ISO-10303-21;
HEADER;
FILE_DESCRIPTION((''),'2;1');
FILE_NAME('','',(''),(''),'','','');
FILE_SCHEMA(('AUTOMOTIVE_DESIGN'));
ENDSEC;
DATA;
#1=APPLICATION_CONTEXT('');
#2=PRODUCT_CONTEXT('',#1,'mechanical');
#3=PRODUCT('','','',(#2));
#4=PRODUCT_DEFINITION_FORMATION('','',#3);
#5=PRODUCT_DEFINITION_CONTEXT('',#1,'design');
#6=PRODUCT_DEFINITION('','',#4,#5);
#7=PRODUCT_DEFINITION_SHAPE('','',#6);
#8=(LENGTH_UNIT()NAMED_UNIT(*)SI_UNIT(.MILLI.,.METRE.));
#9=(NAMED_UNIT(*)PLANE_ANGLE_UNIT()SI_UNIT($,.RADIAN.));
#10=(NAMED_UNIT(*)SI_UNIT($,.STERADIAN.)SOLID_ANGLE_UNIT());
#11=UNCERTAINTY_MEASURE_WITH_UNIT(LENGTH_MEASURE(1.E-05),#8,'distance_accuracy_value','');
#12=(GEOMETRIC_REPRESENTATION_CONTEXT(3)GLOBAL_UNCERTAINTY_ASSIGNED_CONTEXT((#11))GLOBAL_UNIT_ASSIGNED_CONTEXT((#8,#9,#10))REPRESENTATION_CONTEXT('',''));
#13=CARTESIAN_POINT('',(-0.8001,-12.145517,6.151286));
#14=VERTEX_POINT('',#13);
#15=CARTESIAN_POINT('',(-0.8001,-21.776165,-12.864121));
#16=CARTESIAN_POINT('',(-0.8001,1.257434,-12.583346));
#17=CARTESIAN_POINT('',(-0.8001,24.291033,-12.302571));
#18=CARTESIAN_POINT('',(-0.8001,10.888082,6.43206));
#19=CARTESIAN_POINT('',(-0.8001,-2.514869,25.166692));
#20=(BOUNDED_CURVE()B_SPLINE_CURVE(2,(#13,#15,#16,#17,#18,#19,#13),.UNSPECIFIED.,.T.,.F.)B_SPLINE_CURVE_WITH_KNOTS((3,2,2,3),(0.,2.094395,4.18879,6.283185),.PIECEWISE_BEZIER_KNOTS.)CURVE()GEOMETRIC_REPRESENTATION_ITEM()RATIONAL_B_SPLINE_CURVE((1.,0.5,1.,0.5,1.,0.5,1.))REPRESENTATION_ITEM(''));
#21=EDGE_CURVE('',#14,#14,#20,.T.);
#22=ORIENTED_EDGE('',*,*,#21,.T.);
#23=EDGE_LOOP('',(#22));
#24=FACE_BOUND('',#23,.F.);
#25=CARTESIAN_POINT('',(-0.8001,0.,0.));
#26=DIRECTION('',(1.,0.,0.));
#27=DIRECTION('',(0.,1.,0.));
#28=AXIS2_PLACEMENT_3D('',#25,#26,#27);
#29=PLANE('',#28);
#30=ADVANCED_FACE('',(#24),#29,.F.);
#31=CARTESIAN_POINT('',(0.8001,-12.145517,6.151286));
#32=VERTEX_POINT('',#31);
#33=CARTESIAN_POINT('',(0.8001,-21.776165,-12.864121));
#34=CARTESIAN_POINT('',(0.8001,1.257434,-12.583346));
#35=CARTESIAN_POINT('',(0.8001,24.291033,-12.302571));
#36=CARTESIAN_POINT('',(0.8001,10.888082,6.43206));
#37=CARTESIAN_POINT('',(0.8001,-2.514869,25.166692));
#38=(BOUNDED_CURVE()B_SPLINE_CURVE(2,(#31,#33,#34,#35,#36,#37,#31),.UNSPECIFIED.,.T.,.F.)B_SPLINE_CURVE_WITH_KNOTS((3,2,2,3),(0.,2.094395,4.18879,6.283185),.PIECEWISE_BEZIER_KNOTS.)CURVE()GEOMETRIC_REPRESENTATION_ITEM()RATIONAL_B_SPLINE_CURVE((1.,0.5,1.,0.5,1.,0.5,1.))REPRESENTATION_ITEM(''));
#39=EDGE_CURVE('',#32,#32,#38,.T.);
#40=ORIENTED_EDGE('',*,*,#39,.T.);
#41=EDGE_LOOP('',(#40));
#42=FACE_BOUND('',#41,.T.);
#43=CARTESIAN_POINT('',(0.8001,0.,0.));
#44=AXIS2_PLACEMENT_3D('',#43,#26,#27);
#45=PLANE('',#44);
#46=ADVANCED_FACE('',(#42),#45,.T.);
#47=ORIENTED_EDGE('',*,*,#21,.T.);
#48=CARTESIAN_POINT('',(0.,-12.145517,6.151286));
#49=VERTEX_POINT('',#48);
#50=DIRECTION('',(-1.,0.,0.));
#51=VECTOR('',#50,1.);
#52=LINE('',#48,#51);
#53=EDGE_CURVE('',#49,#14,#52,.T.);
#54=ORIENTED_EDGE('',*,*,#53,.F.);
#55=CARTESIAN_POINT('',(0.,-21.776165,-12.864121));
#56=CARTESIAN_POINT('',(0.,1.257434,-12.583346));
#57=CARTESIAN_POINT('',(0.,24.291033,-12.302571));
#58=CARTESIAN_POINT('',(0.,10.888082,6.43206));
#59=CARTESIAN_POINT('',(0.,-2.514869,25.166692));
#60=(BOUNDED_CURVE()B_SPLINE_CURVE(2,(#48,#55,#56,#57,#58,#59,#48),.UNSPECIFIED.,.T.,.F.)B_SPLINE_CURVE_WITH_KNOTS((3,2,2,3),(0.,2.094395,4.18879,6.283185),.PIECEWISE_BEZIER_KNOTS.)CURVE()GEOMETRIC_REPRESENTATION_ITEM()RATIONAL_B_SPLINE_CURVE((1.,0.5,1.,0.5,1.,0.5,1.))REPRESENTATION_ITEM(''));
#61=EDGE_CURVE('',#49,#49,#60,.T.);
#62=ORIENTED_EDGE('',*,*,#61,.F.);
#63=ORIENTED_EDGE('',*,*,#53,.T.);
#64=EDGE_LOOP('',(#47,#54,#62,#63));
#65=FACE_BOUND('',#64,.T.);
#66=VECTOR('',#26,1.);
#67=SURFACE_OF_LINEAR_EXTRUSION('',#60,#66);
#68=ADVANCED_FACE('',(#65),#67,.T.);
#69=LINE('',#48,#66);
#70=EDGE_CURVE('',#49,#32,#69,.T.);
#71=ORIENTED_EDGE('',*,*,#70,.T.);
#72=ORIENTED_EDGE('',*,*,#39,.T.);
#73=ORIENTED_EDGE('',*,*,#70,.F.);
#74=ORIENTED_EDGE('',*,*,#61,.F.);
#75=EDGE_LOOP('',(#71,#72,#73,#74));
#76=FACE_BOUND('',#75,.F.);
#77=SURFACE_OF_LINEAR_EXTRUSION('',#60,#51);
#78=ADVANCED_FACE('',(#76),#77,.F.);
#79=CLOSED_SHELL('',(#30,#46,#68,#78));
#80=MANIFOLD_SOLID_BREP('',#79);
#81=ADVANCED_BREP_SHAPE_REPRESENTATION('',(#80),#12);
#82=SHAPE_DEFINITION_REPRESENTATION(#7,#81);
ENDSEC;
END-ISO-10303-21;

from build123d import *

# Parameters (mm, degrees)
F1_DEPTH = 0.8001


with BuildPart() as f1:
    # F0 (on Right) → F1 (new body, symmetric)
    with BuildSketch(Plane.YZ):
        with BuildLine():
            add(Edge.make_bspline(
                [(-12.145517, 6.151286), (-21.776165, -12.864121), (1.257434, -12.583346), (24.291033, -12.302571), (10.888082, 6.43206), (-2.514869, 25.166692), (-12.145517, 6.151286)],
                knots=[0, 0, 0, 2.094395, 2.094395, 4.18879, 4.18879, 6.283185, 6.283185, 6.283185], degree=2, weights=[1, 0.5, 1, 0.5, 1, 0.5, 1]))
        make_face()
    extrude(amount=F1_DEPTH, both=True)


solid = f1.part
